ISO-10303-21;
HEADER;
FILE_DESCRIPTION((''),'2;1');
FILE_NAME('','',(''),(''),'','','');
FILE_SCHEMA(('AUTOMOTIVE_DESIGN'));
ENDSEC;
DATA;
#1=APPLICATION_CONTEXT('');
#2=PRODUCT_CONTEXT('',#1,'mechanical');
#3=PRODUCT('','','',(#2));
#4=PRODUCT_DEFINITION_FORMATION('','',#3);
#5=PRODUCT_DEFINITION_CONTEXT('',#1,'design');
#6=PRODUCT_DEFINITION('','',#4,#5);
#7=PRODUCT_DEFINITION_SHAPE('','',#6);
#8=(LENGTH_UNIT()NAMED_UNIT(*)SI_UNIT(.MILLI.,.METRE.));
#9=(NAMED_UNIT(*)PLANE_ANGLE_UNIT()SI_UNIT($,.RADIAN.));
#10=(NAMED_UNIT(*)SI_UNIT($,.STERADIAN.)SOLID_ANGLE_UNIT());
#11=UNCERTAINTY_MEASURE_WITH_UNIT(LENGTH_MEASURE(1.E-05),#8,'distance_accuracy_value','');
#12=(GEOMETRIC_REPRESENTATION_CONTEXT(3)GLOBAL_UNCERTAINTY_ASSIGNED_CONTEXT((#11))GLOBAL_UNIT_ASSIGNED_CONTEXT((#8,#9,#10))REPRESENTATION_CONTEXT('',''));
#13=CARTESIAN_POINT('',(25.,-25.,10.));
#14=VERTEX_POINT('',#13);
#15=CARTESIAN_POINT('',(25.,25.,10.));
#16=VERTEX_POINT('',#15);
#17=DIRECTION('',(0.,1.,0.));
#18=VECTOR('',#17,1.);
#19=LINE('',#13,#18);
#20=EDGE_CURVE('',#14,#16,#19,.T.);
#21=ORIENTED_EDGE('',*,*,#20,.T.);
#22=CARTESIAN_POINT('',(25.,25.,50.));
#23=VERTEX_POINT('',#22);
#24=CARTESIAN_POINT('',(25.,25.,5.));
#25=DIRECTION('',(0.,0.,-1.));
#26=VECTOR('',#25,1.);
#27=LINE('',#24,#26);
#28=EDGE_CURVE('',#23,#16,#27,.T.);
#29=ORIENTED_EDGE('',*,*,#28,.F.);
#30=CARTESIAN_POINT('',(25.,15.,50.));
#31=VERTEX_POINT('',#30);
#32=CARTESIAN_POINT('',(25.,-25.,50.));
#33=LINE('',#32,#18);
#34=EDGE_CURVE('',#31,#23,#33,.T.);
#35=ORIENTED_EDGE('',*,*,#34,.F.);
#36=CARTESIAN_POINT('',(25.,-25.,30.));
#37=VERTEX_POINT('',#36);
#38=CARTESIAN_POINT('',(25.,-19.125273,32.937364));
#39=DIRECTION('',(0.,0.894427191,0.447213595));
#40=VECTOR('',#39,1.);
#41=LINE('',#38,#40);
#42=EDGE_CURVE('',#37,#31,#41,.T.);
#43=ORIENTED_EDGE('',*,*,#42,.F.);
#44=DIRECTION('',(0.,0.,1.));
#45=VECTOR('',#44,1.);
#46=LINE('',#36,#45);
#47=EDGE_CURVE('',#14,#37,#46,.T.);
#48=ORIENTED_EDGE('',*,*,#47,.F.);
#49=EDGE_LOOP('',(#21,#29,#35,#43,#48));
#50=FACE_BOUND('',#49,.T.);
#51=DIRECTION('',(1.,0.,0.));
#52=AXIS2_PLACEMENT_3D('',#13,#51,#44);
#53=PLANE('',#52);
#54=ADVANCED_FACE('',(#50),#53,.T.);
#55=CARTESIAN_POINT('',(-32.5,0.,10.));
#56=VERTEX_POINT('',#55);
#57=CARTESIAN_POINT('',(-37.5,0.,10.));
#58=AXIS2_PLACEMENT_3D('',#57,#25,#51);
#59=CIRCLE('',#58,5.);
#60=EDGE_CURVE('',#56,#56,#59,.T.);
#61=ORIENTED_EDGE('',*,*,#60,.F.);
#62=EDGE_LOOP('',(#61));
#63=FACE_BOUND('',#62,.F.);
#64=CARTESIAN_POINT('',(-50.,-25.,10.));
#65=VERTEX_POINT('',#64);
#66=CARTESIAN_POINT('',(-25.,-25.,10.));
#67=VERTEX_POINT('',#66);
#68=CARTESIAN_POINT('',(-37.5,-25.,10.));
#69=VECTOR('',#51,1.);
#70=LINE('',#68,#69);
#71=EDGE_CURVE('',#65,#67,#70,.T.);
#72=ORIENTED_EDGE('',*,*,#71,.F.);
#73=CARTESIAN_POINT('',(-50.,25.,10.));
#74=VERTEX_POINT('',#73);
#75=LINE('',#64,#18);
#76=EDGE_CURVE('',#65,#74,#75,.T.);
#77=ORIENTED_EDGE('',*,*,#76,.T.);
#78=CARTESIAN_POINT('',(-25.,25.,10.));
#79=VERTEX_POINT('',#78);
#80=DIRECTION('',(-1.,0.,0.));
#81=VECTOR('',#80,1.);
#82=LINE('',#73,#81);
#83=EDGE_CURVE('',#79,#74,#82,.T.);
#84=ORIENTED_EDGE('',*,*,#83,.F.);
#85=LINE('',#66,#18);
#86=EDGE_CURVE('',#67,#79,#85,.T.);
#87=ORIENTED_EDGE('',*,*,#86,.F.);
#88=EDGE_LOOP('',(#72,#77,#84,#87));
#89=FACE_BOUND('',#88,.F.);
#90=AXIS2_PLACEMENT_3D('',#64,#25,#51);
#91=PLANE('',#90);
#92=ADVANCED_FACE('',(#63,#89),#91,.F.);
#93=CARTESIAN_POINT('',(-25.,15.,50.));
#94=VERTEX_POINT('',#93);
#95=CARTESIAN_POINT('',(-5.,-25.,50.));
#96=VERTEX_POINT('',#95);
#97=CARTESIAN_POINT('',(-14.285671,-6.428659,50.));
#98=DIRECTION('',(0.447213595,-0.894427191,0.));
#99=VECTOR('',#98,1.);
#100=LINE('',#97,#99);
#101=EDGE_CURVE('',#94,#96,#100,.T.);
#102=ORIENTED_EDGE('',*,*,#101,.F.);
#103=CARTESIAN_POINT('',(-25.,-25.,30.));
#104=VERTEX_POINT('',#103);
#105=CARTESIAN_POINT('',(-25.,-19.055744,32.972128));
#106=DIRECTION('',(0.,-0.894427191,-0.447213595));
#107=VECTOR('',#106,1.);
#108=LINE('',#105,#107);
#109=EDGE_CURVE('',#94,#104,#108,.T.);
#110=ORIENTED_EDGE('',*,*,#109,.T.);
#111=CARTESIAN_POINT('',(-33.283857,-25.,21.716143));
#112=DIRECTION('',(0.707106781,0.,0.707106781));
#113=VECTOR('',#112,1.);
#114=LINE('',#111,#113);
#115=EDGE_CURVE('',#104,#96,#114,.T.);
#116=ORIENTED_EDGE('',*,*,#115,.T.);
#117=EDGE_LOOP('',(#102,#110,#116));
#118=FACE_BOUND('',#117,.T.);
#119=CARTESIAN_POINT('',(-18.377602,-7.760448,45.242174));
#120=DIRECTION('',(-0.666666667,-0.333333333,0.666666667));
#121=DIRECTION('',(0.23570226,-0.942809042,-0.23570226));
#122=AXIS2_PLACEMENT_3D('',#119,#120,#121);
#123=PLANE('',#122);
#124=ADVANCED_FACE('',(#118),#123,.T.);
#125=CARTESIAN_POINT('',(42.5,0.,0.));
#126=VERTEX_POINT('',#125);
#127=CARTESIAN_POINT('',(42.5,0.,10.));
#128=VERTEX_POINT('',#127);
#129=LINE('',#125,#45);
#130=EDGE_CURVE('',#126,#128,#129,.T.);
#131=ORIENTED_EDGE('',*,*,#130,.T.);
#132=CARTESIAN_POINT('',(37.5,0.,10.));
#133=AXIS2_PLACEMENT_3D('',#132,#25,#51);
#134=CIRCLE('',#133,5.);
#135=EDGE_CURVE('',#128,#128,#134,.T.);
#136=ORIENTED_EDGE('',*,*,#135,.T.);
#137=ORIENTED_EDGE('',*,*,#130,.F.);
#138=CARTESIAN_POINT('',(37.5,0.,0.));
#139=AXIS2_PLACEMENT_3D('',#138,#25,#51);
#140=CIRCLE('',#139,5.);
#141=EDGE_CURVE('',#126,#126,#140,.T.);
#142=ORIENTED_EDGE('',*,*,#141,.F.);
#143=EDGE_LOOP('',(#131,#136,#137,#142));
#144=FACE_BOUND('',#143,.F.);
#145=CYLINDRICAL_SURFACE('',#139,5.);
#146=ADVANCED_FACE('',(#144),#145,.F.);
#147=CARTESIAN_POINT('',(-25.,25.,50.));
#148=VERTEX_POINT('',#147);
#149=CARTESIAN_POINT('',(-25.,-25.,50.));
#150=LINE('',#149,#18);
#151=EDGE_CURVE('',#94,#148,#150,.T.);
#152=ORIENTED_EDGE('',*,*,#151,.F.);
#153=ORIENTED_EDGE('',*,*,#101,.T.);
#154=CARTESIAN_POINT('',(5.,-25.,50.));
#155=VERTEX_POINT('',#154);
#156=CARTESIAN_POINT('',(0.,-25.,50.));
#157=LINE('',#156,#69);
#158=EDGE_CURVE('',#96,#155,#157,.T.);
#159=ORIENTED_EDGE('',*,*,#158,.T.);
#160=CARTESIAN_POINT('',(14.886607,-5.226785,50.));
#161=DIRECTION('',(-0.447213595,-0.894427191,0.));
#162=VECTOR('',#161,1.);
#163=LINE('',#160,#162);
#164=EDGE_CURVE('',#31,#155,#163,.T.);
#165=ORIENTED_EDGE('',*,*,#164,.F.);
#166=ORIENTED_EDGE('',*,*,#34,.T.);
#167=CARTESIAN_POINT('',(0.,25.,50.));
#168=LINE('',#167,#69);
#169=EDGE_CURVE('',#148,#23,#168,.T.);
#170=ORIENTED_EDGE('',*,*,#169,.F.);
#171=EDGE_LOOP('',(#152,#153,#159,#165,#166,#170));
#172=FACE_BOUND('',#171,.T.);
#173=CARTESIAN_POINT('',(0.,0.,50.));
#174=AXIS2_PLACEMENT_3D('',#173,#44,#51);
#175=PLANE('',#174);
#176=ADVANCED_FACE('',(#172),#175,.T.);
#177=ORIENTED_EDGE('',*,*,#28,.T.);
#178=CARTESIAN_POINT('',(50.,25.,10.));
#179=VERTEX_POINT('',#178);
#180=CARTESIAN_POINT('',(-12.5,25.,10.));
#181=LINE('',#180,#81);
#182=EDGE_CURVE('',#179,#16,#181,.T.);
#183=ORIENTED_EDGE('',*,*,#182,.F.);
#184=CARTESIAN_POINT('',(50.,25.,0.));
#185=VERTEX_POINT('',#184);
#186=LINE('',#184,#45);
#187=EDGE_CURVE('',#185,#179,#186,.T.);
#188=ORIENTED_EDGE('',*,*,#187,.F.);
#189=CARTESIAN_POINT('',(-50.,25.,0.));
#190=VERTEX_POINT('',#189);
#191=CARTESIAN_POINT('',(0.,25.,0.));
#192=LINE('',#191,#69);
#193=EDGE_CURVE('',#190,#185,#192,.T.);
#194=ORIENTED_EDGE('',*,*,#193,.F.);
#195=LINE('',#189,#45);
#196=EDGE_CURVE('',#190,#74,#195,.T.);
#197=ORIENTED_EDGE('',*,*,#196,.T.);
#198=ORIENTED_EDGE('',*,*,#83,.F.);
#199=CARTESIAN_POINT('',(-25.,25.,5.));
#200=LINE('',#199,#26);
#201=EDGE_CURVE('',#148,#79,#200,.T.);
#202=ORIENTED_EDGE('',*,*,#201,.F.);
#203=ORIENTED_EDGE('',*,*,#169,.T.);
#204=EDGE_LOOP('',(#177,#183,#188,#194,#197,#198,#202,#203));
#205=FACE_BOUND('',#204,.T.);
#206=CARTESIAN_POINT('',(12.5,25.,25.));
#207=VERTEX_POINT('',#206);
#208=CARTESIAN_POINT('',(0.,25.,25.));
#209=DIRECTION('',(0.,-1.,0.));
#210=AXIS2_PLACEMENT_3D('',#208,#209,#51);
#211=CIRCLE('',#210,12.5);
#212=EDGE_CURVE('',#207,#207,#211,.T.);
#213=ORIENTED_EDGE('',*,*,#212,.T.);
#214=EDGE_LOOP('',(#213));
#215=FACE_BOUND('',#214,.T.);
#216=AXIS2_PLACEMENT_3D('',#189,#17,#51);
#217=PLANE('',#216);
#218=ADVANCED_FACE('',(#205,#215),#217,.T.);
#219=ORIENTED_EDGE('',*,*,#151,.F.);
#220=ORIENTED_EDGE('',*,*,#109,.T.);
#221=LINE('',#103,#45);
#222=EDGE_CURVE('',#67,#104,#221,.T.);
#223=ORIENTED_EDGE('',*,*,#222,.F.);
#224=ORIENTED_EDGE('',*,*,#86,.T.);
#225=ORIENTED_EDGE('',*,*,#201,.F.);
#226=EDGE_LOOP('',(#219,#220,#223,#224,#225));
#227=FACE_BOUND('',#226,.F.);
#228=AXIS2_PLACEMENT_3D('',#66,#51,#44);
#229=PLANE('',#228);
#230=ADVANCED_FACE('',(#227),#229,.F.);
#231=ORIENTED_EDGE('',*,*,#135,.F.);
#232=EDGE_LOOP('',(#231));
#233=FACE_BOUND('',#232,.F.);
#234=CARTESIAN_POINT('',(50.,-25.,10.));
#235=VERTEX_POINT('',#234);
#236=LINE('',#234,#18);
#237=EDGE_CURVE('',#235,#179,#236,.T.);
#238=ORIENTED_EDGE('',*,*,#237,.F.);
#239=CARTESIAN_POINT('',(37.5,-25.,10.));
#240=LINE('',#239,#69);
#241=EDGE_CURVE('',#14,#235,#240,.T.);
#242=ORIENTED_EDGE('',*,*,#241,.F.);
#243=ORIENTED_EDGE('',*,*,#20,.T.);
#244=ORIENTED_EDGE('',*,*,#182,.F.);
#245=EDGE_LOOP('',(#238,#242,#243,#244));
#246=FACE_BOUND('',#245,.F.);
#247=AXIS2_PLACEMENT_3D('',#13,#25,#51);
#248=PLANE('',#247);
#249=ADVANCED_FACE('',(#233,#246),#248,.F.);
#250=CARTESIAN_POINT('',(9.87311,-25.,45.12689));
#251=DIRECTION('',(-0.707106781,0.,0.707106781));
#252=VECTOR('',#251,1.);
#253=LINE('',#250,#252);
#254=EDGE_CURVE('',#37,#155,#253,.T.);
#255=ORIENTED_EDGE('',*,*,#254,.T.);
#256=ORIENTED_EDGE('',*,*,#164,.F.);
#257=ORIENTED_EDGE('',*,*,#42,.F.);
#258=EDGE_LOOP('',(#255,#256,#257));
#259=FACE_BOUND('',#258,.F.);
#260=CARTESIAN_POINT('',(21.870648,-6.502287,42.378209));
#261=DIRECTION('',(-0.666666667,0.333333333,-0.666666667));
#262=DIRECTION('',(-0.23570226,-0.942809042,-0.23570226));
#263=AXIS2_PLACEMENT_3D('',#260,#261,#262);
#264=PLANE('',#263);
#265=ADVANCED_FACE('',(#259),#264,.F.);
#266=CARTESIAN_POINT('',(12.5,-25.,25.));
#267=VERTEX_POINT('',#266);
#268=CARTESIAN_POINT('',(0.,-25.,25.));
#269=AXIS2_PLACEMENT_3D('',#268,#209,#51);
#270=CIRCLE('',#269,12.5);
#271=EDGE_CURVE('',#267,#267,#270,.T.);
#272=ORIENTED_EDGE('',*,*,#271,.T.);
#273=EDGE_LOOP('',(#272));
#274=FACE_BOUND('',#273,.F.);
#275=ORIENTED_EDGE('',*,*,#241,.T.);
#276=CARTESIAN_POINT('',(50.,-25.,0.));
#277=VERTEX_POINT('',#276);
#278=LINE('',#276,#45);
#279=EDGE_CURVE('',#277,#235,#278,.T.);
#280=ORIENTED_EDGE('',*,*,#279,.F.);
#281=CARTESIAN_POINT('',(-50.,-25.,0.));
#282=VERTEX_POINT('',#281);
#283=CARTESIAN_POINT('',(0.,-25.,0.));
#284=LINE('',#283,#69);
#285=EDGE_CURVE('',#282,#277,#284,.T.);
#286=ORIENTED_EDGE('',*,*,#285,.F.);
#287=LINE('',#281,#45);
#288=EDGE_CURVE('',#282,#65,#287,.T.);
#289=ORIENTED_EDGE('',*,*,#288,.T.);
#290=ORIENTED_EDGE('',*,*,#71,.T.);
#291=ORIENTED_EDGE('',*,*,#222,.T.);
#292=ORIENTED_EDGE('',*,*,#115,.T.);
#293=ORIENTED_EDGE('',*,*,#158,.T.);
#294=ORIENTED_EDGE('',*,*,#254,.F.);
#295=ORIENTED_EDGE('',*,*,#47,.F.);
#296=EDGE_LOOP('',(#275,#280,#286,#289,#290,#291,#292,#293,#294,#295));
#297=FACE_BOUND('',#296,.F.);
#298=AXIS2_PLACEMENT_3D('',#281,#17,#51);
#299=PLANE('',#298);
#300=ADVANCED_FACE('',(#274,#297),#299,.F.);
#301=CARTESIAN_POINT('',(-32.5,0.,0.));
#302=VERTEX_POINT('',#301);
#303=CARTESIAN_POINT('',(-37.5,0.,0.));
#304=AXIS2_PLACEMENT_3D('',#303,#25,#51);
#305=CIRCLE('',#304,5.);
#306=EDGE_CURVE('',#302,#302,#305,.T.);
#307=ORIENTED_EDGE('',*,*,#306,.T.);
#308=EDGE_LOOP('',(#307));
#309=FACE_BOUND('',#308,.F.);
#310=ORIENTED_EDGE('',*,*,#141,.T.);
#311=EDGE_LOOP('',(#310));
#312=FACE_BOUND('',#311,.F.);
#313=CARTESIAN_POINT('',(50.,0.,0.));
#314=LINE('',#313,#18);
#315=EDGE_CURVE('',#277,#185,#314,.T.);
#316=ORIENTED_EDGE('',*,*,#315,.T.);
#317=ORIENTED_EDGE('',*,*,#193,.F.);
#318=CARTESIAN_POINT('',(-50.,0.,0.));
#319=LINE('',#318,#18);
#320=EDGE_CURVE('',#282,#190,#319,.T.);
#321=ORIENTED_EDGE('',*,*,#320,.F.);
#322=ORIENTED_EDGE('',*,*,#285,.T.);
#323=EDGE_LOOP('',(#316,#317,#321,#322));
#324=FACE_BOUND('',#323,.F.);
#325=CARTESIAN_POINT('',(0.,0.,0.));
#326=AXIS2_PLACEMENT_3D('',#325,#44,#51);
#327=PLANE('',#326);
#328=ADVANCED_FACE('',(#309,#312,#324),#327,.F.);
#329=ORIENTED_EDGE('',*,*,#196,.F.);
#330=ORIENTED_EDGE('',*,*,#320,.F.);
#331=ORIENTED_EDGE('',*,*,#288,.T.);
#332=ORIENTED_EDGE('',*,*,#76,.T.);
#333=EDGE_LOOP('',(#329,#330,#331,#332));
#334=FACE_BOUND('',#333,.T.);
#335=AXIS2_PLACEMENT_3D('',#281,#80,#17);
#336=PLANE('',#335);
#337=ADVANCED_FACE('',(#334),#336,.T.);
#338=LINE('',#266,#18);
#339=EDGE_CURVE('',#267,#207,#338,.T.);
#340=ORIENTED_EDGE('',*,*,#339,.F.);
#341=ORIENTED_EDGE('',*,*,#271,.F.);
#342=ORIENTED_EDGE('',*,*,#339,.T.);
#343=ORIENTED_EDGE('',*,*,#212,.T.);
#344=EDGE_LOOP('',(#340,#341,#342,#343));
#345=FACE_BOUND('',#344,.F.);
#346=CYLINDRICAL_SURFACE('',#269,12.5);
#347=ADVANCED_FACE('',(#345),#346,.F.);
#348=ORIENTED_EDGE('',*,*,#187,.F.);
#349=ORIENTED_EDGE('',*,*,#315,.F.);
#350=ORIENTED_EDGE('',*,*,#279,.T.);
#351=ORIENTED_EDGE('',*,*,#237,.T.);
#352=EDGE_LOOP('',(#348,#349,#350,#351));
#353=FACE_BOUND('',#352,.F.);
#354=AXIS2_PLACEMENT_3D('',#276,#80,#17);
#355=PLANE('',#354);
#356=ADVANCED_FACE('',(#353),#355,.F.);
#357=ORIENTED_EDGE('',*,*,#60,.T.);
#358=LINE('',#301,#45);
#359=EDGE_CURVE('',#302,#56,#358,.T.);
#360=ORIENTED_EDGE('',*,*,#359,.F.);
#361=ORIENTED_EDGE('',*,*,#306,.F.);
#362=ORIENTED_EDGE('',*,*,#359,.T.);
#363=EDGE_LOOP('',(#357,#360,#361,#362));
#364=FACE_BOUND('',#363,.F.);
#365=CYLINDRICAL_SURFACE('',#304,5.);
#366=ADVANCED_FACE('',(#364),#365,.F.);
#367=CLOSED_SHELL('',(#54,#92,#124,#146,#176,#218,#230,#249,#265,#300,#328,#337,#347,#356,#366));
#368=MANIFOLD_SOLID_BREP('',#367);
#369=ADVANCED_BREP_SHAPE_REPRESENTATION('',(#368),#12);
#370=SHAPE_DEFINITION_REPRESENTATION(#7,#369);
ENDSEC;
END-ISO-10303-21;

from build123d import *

# Parameters (mm, degrees)
F0_W      = 100
F0_H      = 50
F1_DEPTH  = 50
F2_R      = 12.5
F3_DEPTH  = 50.001
F4_W      = 25
F4_H      = 40
F5_DEPTH  = 50.001
F6_R      = 5
F7_DEPTH  = 50.001
F12_W     = 63.2883179933
F12_H     = 65.7318904996
F13_DEPTH = 13.3333333333
F18_W     = 70.068154484
F18_H     = 62.6709284261
F19_DEPTH = 40


with BuildPart() as f1:
    # F0 (on Top) → F1 (new body)
    with BuildSketch(Plane.XY):
        Rectangle(F0_W, F0_H)
    extrude(amount=F1_DEPTH)

    # F2 (on face) → F3 (cut, through all)
    with BuildSketch(Plane.XZ.offset(25)):
        with Locations((0, 25)):
            Circle(F2_R)
    extrude(amount=-F3_DEPTH, mode=Mode.SUBTRACT)

    # F4 (on face) → F5 (cut, through all)
    with BuildSketch(Plane.XZ.offset(25)):
        with Locations((-37.5, 30)):
            Rectangle(F4_W, F4_H)
        with Locations((37.5, 30)):
            Rectangle(F4_W, F4_H)
    extrude(amount=-F5_DEPTH, mode=Mode.SUBTRACT)

    # F6 (on face) → F7 (cut, through all)
    with BuildSketch(Plane(origin=(0, 0, 0), x_dir=(1, 0, 0), z_dir=(0, 0, -1))):
        with Locations((-37.5, 0)):
            Circle(F6_R)
        with Locations((37.5, 0)):
            Circle(F6_R)
    extrude(amount=-F7_DEPTH, mode=Mode.SUBTRACT)

    # F12 (on plane+point) → F13 (cut, through all)
    with BuildSketch(Plane(origin=(38.8888888889, -19.4444444444, 38.8888888889), x_dir=(-0.2357022604, -0.9428090416, -0.2357022604), z_dir=(-0.6666666667, 0.3333333333, -0.6666666667))):
        with Locations((-9.0131862089, 14.5010352135)):
            Rectangle(F12_W, F12_H)
    extrude(amount=F13_DEPTH, mode=Mode.SUBTRACT)

    # F18 (on offset) → F19 (cut, through all)
    with BuildSketch(Plane(origin=(-56.6666666667, -28.3333333333, 56.6666666667), x_dir=(0.2357022604, -0.9428090416, -0.2357022604), z_dir=(-0.6666666667, -0.3333333333, 0.6666666667))):
        with Locations((-7.6787043363, 18.9961208962)):
            Rectangle(F18_W, F18_H)
    extrude(amount=-F19_DEPTH, mode=Mode.SUBTRACT)


solid = f1.part
